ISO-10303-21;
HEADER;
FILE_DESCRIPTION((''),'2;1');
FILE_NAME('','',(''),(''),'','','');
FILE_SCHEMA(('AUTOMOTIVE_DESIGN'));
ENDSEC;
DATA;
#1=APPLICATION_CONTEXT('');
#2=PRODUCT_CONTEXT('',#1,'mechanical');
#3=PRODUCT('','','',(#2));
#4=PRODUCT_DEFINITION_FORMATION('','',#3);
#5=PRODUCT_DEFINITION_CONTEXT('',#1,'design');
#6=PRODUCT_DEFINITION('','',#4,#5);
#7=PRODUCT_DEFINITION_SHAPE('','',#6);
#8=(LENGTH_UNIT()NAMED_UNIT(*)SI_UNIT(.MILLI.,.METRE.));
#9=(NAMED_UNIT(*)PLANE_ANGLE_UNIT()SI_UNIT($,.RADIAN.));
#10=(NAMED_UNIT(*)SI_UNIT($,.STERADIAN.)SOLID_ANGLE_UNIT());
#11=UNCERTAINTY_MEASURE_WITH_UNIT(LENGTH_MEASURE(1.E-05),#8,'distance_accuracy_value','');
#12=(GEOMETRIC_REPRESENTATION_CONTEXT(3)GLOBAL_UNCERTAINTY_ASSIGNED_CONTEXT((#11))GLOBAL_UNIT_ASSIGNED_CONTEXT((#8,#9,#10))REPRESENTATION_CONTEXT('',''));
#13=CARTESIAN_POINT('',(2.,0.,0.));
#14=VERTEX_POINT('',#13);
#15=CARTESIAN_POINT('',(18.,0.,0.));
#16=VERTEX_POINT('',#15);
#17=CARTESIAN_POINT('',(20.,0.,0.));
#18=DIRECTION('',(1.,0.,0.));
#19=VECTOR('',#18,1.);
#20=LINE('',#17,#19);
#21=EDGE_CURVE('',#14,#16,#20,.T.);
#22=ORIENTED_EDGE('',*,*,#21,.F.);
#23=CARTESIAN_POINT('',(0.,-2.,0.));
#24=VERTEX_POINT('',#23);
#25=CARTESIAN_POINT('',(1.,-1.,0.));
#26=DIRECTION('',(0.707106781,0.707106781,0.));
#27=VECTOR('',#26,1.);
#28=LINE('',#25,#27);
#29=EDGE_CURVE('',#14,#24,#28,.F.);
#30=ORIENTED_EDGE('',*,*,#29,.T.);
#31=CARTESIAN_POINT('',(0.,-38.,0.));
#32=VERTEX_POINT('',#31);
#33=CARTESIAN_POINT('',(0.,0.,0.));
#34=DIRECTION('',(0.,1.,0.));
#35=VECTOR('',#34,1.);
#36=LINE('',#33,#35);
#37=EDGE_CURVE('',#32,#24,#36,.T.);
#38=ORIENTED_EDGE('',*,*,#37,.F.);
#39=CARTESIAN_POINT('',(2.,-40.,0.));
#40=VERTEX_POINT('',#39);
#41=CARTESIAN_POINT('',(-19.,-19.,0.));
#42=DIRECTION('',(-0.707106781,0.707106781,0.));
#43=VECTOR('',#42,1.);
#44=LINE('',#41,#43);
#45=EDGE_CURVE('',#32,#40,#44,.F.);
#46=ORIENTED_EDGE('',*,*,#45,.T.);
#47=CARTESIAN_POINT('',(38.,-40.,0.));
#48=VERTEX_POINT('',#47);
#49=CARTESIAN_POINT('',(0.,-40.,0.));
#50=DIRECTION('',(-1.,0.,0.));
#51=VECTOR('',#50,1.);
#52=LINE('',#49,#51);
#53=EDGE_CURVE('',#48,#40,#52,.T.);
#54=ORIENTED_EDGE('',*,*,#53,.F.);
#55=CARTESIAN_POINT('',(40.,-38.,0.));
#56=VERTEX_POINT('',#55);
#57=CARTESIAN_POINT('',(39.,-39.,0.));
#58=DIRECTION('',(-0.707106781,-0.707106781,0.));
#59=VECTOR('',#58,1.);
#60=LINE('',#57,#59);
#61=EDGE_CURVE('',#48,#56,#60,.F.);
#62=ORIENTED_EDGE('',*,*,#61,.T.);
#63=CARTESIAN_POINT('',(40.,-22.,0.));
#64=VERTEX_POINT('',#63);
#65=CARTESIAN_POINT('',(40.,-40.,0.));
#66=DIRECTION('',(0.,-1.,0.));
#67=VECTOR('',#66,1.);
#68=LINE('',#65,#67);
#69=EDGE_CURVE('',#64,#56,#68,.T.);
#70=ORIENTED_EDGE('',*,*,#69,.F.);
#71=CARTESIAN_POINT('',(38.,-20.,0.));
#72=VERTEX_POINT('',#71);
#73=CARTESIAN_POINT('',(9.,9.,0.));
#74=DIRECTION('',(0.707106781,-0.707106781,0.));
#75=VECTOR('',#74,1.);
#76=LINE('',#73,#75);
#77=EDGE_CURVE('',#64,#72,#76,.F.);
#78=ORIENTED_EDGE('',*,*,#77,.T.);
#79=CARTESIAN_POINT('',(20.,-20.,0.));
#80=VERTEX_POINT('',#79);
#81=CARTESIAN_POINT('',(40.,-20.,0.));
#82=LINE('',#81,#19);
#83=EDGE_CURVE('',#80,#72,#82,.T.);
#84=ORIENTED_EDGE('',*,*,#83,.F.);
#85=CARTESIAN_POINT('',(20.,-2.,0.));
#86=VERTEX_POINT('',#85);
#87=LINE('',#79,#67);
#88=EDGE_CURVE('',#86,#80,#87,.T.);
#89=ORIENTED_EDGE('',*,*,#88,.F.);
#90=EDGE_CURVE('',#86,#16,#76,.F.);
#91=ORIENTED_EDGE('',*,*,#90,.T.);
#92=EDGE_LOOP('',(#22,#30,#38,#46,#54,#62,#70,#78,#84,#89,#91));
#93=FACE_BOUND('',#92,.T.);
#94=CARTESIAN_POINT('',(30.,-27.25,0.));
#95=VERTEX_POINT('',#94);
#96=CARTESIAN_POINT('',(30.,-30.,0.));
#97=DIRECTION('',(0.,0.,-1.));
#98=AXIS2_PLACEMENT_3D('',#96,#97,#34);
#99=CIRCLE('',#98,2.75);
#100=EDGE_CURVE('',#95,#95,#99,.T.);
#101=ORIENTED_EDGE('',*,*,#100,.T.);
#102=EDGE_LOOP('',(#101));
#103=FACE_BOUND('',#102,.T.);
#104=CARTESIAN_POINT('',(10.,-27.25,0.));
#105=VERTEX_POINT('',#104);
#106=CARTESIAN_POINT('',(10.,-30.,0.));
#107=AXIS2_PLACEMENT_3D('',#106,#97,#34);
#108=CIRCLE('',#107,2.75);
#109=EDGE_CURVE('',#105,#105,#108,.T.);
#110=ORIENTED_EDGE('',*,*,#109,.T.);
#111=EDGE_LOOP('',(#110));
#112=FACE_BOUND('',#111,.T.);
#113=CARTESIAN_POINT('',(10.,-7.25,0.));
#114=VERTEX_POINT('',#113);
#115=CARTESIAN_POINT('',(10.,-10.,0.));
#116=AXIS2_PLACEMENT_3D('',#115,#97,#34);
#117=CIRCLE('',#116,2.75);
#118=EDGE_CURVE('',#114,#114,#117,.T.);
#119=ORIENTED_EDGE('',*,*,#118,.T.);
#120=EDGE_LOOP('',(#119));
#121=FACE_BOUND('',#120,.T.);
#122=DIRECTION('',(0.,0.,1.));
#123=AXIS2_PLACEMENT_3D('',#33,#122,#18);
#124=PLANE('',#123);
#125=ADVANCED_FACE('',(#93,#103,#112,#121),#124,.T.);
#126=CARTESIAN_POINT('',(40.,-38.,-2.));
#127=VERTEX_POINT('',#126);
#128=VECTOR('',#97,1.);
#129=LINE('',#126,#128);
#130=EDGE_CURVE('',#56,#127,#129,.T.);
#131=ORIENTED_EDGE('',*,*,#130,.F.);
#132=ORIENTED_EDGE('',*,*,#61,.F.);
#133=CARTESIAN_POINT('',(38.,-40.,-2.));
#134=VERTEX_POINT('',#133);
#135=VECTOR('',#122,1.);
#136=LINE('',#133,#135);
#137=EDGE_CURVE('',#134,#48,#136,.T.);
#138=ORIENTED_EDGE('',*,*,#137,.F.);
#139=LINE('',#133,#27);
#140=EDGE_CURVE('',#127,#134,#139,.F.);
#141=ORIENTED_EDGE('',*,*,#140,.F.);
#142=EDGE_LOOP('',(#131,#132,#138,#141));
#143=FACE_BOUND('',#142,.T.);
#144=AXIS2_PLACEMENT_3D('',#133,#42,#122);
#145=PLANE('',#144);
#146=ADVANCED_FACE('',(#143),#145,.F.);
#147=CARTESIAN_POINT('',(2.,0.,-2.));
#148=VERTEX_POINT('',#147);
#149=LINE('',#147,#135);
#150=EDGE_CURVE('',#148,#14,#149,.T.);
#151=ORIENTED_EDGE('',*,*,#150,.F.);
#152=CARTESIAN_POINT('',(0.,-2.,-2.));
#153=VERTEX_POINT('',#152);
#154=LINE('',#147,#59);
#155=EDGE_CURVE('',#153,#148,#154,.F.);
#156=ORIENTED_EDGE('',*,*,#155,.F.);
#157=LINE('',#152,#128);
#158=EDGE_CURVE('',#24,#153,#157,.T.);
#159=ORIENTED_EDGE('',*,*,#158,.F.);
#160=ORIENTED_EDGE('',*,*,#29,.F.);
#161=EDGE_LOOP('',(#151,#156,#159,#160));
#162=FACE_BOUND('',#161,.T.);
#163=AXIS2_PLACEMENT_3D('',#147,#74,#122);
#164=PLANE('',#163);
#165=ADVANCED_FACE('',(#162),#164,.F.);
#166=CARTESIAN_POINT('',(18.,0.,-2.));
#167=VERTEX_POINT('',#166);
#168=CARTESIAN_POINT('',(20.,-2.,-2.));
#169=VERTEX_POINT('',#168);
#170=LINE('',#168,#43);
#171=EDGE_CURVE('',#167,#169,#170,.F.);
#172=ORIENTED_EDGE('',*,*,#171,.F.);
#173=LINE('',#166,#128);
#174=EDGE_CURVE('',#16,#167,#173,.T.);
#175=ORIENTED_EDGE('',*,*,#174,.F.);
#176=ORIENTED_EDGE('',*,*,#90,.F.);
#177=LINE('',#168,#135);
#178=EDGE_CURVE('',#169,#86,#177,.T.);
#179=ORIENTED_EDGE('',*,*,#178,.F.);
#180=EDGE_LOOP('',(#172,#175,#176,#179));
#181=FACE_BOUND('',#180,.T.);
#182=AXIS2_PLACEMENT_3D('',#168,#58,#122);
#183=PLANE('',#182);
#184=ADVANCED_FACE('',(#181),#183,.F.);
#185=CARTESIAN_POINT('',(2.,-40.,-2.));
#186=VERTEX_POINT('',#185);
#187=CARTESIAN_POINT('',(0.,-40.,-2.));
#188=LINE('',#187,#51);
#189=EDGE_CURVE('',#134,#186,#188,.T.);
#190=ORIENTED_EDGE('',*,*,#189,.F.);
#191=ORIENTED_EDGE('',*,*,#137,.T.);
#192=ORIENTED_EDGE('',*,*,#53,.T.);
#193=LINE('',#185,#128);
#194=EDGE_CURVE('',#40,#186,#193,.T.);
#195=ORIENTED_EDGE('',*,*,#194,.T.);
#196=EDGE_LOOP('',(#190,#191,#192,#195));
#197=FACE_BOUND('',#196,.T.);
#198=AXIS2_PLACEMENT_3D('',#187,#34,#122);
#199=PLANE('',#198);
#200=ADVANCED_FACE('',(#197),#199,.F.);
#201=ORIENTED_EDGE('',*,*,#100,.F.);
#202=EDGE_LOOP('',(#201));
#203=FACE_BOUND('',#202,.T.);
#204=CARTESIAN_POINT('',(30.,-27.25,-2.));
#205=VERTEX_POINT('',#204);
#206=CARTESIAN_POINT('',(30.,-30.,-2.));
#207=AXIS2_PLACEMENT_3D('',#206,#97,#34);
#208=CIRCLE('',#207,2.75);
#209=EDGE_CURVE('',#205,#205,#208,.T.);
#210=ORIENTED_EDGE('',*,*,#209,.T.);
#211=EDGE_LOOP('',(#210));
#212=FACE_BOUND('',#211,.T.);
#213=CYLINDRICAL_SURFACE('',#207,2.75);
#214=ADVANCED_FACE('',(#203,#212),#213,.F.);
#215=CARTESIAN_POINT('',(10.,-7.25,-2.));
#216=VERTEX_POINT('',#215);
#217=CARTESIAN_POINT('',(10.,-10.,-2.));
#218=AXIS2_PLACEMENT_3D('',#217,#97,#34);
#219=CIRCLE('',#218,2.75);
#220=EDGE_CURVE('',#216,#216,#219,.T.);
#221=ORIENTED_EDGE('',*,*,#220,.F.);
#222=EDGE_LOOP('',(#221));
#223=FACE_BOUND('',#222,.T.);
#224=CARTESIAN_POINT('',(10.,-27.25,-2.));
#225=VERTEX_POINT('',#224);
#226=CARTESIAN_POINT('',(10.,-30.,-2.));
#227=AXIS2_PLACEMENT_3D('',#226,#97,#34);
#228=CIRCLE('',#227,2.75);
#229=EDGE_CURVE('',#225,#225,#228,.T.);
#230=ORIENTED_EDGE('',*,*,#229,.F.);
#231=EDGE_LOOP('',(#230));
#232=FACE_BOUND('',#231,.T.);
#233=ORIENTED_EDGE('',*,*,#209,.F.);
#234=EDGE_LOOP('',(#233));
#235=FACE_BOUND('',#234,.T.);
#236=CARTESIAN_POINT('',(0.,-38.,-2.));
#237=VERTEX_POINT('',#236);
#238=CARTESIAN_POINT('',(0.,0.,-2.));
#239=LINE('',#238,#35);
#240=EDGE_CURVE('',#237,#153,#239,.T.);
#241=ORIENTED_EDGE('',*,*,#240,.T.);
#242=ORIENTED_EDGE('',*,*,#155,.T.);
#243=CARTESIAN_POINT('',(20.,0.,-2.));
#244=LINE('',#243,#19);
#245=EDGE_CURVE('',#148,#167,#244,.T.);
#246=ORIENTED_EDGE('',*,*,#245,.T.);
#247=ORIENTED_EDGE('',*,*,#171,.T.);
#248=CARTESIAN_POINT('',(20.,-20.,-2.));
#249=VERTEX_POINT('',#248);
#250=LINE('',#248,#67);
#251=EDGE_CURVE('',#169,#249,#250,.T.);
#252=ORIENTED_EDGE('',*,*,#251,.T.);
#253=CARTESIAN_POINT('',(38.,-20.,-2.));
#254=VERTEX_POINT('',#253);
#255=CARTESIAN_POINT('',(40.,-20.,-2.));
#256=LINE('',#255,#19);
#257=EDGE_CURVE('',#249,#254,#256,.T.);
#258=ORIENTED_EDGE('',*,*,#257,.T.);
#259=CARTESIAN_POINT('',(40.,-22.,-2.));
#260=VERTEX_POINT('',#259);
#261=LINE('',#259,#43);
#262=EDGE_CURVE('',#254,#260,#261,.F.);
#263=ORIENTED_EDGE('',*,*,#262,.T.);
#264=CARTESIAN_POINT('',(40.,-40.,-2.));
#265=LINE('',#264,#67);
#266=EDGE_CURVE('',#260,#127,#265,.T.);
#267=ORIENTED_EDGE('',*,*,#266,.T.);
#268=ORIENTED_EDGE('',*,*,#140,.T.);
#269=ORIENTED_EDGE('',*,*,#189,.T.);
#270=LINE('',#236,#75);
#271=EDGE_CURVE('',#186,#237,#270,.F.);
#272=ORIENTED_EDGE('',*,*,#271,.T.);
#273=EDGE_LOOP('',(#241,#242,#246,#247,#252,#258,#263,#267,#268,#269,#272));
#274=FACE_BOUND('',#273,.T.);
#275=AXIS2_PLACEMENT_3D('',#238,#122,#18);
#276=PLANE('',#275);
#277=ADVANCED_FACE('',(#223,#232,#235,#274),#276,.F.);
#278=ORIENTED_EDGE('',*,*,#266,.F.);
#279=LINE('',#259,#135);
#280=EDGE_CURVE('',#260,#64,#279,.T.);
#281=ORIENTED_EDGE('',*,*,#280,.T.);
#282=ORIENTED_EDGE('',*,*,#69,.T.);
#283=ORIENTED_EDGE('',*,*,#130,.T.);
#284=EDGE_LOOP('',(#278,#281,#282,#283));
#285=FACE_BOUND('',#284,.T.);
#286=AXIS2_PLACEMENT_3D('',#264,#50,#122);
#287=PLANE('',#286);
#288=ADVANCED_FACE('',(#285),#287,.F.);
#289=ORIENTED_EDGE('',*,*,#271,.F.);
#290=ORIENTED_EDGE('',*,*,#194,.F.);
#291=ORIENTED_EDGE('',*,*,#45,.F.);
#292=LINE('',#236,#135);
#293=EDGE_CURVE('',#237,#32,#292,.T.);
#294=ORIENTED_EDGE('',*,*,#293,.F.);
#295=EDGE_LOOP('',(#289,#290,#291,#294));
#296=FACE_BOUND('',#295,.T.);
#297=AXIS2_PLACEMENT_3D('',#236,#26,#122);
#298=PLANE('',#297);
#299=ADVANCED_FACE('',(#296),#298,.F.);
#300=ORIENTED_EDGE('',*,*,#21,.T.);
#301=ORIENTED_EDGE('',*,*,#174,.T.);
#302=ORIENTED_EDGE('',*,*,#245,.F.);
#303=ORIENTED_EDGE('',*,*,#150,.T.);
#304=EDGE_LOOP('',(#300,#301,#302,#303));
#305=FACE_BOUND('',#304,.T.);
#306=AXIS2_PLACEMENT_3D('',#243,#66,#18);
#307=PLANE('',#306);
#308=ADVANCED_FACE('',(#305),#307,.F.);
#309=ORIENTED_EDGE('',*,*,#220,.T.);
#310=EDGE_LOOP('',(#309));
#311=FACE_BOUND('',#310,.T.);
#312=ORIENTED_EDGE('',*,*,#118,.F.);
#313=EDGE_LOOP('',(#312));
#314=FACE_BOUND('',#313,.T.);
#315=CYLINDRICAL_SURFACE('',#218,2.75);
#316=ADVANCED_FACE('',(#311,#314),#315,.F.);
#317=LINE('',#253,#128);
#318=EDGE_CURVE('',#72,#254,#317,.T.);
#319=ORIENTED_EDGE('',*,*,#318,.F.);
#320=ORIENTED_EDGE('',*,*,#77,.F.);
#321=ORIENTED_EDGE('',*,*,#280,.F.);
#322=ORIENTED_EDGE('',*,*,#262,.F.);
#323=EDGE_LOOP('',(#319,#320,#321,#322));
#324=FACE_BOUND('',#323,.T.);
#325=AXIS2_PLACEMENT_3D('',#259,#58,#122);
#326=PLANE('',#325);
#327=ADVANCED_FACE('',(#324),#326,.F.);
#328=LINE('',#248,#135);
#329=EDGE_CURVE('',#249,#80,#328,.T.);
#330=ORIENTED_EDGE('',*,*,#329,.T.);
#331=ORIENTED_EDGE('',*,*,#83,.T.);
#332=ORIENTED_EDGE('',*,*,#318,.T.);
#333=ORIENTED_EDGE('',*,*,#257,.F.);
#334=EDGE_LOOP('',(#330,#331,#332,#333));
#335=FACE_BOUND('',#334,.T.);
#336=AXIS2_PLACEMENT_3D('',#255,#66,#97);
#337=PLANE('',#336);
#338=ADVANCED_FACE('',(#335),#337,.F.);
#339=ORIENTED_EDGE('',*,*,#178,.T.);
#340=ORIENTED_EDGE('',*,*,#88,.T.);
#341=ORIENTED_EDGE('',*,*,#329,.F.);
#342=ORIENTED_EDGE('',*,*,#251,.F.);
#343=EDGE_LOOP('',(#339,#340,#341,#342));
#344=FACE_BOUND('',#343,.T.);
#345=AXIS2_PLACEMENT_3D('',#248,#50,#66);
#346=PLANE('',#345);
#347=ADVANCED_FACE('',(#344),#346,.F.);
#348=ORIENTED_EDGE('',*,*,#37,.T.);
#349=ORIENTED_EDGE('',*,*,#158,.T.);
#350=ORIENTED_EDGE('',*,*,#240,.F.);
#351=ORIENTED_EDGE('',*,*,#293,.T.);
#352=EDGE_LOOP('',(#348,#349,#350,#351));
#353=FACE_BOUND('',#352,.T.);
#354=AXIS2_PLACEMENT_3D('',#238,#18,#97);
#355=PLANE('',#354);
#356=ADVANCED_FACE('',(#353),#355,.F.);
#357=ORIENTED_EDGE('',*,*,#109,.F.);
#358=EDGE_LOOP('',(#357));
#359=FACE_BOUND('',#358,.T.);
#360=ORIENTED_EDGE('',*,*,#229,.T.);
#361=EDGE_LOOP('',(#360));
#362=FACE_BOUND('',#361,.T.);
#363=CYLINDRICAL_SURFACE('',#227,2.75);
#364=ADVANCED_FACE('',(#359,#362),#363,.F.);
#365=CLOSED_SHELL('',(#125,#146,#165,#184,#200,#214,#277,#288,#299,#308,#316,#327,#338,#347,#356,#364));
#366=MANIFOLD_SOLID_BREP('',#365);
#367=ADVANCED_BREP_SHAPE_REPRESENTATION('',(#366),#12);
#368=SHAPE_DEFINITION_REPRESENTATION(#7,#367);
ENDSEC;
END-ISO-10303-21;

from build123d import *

# Parameters (mm, degrees)
EXTRUDE_1_DEPTH   = 2
HOLE_WIZARD_M51_D = 5.5
CHAMFER_1_SIZE    = 2


with BuildPart() as part:
    # Эскиз1 → Бобышка-Вытянуть1 (new body)
    with BuildSketch(Plane(origin=(0, 0, 0), x_dir=(1, 0, 0), z_dir=(0, 0, -1))):
        Polygon((0, 0), (0, 40), (40, 40), (40, 20), (20, 20), (20, 0), align=None)
    extrude(amount=EXTRUDE_1_DEPTH)

    # Отверстие с зазором M51 (through all)
    with Locations(Plane(origin=(0, 0, -2), x_dir=(1, 0, 0), z_dir=(0, 0, -1))):
        with Locations((10, 30), (10, 10), (30, 30)):
            Hole(HOLE_WIZARD_M51_D / 2)

    # Фаска1
    chamfer_1_edges = [part.edges().sort_by_distance(p)[0] for p in [
        (0, 0, -1),
        (0, -40, -1),
        (40, -40, -1),
        (40, -20, -1),
        (20, 0, -1),
    ]]
    chamfer(chamfer_1_edges, length=CHAMFER_1_SIZE)


solid = part.part
